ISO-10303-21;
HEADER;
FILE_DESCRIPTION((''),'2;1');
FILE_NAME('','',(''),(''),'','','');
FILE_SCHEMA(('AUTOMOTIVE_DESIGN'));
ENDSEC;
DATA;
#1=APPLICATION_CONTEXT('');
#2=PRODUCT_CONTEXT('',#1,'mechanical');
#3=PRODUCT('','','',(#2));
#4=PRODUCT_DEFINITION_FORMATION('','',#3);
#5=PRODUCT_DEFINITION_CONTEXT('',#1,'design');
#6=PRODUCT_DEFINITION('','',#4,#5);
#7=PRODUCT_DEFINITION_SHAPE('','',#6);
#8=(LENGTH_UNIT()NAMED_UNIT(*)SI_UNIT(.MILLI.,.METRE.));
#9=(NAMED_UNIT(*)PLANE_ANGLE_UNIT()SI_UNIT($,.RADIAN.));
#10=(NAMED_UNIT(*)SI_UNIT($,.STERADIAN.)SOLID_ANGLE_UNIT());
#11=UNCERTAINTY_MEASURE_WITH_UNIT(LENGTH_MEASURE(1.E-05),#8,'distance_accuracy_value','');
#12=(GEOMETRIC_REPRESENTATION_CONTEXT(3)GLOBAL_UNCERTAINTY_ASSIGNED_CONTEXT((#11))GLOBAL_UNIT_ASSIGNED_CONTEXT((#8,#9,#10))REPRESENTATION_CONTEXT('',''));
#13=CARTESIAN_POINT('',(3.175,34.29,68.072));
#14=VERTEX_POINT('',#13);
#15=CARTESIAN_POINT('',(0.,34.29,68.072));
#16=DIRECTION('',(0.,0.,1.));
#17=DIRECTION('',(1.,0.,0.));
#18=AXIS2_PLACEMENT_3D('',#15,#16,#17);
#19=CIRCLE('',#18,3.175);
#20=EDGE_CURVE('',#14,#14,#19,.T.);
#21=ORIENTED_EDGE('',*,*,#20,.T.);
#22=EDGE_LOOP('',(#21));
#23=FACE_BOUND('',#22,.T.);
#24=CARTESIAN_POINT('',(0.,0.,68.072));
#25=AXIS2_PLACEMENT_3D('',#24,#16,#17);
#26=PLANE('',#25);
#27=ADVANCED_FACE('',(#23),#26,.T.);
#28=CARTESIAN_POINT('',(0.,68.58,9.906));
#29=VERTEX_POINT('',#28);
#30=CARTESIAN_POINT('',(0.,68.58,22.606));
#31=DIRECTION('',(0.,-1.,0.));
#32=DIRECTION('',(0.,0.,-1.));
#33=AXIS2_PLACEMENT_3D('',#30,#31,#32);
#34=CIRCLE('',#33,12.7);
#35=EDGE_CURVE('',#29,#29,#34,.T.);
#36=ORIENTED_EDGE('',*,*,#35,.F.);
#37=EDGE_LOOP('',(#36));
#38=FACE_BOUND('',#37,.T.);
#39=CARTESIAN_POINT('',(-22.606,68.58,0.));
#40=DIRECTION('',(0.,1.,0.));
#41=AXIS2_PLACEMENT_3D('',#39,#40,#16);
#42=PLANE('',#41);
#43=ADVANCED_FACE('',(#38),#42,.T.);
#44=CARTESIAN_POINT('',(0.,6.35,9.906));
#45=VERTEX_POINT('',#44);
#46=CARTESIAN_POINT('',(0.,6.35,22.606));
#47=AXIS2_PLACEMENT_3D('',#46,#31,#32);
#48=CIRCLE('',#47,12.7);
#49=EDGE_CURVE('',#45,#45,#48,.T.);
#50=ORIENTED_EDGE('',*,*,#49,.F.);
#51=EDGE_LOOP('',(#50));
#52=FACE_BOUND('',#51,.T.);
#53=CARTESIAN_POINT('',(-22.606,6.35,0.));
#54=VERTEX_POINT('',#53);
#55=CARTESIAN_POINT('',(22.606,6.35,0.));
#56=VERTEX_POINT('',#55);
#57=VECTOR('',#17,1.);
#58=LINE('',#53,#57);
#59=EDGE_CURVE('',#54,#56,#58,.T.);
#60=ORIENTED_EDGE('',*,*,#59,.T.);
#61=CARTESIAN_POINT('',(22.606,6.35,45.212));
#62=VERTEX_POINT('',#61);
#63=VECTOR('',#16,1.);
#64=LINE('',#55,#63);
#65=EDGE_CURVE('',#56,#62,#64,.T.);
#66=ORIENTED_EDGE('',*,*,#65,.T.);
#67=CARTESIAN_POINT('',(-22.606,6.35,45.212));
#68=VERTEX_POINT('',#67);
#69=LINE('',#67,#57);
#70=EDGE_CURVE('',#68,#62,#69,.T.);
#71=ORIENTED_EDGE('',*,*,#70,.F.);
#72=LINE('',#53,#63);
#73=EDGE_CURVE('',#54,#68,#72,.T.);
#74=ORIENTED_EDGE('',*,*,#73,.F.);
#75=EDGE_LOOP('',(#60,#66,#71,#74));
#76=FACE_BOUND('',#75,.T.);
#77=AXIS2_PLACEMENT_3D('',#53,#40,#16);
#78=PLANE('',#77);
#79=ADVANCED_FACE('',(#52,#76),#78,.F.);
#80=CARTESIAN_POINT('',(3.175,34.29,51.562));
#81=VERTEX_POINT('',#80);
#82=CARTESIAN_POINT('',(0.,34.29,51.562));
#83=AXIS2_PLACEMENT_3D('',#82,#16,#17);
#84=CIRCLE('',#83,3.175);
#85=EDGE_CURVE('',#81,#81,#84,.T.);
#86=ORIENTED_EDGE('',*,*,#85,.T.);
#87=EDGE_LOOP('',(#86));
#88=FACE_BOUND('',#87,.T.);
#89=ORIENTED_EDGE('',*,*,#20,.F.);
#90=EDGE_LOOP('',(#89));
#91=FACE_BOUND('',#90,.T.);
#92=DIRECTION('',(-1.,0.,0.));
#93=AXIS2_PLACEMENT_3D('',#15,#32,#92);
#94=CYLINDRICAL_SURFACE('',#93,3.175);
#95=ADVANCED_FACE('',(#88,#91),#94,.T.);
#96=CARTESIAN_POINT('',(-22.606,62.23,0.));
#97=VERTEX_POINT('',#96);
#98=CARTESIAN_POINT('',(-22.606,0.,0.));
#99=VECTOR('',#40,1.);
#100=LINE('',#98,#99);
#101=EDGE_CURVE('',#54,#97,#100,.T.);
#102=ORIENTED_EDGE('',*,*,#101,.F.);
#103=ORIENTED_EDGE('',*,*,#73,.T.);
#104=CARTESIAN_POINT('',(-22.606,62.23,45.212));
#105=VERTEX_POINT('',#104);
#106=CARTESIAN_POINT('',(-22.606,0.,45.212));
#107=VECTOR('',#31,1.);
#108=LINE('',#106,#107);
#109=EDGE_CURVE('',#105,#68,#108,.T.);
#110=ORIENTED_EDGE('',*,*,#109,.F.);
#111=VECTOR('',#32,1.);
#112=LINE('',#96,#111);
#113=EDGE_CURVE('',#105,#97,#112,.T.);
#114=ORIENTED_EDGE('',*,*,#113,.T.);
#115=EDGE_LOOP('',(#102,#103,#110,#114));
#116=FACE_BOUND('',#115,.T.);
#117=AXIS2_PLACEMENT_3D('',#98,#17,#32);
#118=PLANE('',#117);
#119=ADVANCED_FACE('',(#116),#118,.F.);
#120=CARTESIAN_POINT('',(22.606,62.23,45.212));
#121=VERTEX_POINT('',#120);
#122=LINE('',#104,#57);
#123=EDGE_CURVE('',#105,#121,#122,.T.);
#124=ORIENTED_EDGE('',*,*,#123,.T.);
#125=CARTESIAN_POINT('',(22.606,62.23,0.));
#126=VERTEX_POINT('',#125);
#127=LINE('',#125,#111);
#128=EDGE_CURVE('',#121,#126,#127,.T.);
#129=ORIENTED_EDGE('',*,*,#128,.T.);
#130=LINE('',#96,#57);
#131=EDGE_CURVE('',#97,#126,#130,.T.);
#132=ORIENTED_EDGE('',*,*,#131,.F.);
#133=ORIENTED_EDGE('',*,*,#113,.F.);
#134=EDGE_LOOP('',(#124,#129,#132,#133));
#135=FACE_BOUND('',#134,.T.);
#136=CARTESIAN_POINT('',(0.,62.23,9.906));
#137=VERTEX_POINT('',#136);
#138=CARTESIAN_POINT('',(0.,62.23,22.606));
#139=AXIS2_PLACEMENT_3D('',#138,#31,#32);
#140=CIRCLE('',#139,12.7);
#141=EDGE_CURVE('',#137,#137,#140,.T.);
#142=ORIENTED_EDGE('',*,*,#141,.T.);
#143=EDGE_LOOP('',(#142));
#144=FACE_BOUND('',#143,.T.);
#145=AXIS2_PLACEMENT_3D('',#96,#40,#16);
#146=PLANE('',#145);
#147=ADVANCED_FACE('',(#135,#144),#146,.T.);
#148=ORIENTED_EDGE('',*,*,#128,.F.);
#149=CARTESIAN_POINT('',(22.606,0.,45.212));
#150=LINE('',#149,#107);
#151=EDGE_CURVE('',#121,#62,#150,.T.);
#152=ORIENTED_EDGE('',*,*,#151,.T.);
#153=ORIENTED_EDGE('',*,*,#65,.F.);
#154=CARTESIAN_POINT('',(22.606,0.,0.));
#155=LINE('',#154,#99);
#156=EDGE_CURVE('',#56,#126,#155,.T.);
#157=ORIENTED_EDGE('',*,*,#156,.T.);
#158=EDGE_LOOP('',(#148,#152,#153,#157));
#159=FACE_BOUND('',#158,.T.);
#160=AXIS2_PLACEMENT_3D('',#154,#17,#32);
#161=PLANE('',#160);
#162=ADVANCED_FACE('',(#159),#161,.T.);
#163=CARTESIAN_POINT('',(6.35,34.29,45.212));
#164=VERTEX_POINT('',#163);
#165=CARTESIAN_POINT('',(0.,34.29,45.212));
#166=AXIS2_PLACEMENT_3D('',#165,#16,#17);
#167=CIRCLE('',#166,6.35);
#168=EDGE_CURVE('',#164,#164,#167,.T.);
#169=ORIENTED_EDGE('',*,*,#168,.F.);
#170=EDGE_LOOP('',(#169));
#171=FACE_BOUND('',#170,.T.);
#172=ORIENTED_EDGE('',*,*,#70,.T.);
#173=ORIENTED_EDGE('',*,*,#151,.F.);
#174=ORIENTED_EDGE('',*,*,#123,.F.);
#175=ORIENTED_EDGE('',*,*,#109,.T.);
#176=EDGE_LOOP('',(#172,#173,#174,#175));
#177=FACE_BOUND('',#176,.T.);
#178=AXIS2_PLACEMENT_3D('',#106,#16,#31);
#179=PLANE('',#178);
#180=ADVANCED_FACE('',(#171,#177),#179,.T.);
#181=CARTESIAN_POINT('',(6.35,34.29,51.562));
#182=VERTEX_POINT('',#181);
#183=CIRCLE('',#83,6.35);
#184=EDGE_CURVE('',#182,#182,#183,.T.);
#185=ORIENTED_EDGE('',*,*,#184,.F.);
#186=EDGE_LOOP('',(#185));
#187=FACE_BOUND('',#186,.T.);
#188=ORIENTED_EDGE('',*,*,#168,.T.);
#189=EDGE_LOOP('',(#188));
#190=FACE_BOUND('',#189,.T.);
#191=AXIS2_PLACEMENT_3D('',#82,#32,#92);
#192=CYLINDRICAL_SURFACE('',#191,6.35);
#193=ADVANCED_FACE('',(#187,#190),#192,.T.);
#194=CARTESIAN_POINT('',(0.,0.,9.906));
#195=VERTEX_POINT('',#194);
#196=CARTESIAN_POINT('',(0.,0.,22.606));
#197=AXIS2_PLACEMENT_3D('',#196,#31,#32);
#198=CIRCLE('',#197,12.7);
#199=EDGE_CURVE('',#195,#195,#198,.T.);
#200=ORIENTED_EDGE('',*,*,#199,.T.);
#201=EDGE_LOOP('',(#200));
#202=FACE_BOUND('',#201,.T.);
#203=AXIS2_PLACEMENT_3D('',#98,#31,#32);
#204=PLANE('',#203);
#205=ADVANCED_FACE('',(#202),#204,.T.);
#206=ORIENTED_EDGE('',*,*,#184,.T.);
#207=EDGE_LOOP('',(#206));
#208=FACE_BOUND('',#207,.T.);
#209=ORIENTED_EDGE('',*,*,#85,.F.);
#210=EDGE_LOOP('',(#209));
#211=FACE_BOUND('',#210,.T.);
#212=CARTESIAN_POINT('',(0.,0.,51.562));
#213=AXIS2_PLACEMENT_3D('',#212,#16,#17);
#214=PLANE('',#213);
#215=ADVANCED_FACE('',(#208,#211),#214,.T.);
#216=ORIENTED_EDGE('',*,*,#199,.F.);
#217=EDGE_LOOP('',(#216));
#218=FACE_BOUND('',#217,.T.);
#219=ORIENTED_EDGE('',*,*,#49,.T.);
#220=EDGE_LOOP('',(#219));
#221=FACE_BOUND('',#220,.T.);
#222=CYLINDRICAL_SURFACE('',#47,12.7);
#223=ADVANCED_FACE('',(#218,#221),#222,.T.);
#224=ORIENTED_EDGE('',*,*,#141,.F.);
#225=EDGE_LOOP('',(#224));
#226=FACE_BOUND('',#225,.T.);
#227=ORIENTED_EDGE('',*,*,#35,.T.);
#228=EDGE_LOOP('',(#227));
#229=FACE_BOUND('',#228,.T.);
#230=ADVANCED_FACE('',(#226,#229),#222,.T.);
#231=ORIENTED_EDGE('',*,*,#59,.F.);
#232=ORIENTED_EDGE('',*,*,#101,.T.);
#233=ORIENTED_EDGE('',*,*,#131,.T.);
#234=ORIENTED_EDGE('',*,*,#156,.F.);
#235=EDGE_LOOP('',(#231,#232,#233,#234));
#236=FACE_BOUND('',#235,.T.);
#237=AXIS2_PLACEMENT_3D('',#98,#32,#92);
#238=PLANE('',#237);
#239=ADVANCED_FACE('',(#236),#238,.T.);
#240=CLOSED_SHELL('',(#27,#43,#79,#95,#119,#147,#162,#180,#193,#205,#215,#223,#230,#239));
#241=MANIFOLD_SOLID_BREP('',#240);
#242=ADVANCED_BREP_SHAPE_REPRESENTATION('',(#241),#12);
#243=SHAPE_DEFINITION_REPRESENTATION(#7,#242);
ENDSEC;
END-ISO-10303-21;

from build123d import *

# Parameters (mm, degrees)
BOSS_EXTRUDE1_DEPTH      = 22.606
BOSS_EXTRUDE1_DEPTH_BACK = 22.606
SKETCH1_5_W              = 6.35
SKETCH1_5_H              = 35.306
SKETCH2_R                = 3.175
BOSS_EXTRUDE2_DEPTH      = 22.86
SKETCH2_3_R              = 6.35
SKETCH2_3_R_2            = 3.175
BOSS_EXTRUDE3_DEPTH      = 6.35


with BuildPart() as part:
    # Sketch1 → Boss-Extrude1 (new, two sides: drawn at the far end of the back side and taken through both)
    with BuildSketch(Plane.YZ.offset(-BOSS_EXTRUDE1_DEPTH_BACK)):
        Polygon((6.35, 9.906), (6.35, 0), (62.23, 0), (62.23, 9.906), (68.58, 9.906), (68.58, 35.306), (62.23, 35.306), (62.23, 45.212), (6.35, 45.212), (6.35, 35.306), (0, 35.306), (0, 9.906), align=None)
    extrude(amount=BOSS_EXTRUDE1_DEPTH + BOSS_EXTRUDE1_DEPTH_BACK)

    # Sketch1<5> → Cut-Revolve3 (revolve, cut)
    with BuildSketch(Plane.YZ):
        with Locations((3.175, 52.959)):
            Rectangle(SKETCH1_5_W, SKETCH1_5_H)
        with Locations((65.405, 52.959)):
            Rectangle(SKETCH1_5_W, SKETCH1_5_H)
    revolve(axis=Axis((0, 6.35, 22.606), (0, 1, 0)), mode=Mode.SUBTRACT)

    # Sketch2 → Boss-Extrude2 (add)
    with BuildSketch(Plane.XY.offset(45.212)):
        with Locations((0, 34.29)):
            Circle(SKETCH2_R)
    extrude(amount=BOSS_EXTRUDE2_DEPTH)

    # Sketch2<3> → Boss-Extrude3 (add)
    with BuildSketch(Plane.XY.offset(45.212)):
        with Locations((0, 34.29)):
            Circle(SKETCH2_3_R)
        with Locations((0, 34.29)):
            Circle(SKETCH2_3_R_2, mode=Mode.SUBTRACT)
    extrude(amount=BOSS_EXTRUDE3_DEPTH)


solid = part.part
